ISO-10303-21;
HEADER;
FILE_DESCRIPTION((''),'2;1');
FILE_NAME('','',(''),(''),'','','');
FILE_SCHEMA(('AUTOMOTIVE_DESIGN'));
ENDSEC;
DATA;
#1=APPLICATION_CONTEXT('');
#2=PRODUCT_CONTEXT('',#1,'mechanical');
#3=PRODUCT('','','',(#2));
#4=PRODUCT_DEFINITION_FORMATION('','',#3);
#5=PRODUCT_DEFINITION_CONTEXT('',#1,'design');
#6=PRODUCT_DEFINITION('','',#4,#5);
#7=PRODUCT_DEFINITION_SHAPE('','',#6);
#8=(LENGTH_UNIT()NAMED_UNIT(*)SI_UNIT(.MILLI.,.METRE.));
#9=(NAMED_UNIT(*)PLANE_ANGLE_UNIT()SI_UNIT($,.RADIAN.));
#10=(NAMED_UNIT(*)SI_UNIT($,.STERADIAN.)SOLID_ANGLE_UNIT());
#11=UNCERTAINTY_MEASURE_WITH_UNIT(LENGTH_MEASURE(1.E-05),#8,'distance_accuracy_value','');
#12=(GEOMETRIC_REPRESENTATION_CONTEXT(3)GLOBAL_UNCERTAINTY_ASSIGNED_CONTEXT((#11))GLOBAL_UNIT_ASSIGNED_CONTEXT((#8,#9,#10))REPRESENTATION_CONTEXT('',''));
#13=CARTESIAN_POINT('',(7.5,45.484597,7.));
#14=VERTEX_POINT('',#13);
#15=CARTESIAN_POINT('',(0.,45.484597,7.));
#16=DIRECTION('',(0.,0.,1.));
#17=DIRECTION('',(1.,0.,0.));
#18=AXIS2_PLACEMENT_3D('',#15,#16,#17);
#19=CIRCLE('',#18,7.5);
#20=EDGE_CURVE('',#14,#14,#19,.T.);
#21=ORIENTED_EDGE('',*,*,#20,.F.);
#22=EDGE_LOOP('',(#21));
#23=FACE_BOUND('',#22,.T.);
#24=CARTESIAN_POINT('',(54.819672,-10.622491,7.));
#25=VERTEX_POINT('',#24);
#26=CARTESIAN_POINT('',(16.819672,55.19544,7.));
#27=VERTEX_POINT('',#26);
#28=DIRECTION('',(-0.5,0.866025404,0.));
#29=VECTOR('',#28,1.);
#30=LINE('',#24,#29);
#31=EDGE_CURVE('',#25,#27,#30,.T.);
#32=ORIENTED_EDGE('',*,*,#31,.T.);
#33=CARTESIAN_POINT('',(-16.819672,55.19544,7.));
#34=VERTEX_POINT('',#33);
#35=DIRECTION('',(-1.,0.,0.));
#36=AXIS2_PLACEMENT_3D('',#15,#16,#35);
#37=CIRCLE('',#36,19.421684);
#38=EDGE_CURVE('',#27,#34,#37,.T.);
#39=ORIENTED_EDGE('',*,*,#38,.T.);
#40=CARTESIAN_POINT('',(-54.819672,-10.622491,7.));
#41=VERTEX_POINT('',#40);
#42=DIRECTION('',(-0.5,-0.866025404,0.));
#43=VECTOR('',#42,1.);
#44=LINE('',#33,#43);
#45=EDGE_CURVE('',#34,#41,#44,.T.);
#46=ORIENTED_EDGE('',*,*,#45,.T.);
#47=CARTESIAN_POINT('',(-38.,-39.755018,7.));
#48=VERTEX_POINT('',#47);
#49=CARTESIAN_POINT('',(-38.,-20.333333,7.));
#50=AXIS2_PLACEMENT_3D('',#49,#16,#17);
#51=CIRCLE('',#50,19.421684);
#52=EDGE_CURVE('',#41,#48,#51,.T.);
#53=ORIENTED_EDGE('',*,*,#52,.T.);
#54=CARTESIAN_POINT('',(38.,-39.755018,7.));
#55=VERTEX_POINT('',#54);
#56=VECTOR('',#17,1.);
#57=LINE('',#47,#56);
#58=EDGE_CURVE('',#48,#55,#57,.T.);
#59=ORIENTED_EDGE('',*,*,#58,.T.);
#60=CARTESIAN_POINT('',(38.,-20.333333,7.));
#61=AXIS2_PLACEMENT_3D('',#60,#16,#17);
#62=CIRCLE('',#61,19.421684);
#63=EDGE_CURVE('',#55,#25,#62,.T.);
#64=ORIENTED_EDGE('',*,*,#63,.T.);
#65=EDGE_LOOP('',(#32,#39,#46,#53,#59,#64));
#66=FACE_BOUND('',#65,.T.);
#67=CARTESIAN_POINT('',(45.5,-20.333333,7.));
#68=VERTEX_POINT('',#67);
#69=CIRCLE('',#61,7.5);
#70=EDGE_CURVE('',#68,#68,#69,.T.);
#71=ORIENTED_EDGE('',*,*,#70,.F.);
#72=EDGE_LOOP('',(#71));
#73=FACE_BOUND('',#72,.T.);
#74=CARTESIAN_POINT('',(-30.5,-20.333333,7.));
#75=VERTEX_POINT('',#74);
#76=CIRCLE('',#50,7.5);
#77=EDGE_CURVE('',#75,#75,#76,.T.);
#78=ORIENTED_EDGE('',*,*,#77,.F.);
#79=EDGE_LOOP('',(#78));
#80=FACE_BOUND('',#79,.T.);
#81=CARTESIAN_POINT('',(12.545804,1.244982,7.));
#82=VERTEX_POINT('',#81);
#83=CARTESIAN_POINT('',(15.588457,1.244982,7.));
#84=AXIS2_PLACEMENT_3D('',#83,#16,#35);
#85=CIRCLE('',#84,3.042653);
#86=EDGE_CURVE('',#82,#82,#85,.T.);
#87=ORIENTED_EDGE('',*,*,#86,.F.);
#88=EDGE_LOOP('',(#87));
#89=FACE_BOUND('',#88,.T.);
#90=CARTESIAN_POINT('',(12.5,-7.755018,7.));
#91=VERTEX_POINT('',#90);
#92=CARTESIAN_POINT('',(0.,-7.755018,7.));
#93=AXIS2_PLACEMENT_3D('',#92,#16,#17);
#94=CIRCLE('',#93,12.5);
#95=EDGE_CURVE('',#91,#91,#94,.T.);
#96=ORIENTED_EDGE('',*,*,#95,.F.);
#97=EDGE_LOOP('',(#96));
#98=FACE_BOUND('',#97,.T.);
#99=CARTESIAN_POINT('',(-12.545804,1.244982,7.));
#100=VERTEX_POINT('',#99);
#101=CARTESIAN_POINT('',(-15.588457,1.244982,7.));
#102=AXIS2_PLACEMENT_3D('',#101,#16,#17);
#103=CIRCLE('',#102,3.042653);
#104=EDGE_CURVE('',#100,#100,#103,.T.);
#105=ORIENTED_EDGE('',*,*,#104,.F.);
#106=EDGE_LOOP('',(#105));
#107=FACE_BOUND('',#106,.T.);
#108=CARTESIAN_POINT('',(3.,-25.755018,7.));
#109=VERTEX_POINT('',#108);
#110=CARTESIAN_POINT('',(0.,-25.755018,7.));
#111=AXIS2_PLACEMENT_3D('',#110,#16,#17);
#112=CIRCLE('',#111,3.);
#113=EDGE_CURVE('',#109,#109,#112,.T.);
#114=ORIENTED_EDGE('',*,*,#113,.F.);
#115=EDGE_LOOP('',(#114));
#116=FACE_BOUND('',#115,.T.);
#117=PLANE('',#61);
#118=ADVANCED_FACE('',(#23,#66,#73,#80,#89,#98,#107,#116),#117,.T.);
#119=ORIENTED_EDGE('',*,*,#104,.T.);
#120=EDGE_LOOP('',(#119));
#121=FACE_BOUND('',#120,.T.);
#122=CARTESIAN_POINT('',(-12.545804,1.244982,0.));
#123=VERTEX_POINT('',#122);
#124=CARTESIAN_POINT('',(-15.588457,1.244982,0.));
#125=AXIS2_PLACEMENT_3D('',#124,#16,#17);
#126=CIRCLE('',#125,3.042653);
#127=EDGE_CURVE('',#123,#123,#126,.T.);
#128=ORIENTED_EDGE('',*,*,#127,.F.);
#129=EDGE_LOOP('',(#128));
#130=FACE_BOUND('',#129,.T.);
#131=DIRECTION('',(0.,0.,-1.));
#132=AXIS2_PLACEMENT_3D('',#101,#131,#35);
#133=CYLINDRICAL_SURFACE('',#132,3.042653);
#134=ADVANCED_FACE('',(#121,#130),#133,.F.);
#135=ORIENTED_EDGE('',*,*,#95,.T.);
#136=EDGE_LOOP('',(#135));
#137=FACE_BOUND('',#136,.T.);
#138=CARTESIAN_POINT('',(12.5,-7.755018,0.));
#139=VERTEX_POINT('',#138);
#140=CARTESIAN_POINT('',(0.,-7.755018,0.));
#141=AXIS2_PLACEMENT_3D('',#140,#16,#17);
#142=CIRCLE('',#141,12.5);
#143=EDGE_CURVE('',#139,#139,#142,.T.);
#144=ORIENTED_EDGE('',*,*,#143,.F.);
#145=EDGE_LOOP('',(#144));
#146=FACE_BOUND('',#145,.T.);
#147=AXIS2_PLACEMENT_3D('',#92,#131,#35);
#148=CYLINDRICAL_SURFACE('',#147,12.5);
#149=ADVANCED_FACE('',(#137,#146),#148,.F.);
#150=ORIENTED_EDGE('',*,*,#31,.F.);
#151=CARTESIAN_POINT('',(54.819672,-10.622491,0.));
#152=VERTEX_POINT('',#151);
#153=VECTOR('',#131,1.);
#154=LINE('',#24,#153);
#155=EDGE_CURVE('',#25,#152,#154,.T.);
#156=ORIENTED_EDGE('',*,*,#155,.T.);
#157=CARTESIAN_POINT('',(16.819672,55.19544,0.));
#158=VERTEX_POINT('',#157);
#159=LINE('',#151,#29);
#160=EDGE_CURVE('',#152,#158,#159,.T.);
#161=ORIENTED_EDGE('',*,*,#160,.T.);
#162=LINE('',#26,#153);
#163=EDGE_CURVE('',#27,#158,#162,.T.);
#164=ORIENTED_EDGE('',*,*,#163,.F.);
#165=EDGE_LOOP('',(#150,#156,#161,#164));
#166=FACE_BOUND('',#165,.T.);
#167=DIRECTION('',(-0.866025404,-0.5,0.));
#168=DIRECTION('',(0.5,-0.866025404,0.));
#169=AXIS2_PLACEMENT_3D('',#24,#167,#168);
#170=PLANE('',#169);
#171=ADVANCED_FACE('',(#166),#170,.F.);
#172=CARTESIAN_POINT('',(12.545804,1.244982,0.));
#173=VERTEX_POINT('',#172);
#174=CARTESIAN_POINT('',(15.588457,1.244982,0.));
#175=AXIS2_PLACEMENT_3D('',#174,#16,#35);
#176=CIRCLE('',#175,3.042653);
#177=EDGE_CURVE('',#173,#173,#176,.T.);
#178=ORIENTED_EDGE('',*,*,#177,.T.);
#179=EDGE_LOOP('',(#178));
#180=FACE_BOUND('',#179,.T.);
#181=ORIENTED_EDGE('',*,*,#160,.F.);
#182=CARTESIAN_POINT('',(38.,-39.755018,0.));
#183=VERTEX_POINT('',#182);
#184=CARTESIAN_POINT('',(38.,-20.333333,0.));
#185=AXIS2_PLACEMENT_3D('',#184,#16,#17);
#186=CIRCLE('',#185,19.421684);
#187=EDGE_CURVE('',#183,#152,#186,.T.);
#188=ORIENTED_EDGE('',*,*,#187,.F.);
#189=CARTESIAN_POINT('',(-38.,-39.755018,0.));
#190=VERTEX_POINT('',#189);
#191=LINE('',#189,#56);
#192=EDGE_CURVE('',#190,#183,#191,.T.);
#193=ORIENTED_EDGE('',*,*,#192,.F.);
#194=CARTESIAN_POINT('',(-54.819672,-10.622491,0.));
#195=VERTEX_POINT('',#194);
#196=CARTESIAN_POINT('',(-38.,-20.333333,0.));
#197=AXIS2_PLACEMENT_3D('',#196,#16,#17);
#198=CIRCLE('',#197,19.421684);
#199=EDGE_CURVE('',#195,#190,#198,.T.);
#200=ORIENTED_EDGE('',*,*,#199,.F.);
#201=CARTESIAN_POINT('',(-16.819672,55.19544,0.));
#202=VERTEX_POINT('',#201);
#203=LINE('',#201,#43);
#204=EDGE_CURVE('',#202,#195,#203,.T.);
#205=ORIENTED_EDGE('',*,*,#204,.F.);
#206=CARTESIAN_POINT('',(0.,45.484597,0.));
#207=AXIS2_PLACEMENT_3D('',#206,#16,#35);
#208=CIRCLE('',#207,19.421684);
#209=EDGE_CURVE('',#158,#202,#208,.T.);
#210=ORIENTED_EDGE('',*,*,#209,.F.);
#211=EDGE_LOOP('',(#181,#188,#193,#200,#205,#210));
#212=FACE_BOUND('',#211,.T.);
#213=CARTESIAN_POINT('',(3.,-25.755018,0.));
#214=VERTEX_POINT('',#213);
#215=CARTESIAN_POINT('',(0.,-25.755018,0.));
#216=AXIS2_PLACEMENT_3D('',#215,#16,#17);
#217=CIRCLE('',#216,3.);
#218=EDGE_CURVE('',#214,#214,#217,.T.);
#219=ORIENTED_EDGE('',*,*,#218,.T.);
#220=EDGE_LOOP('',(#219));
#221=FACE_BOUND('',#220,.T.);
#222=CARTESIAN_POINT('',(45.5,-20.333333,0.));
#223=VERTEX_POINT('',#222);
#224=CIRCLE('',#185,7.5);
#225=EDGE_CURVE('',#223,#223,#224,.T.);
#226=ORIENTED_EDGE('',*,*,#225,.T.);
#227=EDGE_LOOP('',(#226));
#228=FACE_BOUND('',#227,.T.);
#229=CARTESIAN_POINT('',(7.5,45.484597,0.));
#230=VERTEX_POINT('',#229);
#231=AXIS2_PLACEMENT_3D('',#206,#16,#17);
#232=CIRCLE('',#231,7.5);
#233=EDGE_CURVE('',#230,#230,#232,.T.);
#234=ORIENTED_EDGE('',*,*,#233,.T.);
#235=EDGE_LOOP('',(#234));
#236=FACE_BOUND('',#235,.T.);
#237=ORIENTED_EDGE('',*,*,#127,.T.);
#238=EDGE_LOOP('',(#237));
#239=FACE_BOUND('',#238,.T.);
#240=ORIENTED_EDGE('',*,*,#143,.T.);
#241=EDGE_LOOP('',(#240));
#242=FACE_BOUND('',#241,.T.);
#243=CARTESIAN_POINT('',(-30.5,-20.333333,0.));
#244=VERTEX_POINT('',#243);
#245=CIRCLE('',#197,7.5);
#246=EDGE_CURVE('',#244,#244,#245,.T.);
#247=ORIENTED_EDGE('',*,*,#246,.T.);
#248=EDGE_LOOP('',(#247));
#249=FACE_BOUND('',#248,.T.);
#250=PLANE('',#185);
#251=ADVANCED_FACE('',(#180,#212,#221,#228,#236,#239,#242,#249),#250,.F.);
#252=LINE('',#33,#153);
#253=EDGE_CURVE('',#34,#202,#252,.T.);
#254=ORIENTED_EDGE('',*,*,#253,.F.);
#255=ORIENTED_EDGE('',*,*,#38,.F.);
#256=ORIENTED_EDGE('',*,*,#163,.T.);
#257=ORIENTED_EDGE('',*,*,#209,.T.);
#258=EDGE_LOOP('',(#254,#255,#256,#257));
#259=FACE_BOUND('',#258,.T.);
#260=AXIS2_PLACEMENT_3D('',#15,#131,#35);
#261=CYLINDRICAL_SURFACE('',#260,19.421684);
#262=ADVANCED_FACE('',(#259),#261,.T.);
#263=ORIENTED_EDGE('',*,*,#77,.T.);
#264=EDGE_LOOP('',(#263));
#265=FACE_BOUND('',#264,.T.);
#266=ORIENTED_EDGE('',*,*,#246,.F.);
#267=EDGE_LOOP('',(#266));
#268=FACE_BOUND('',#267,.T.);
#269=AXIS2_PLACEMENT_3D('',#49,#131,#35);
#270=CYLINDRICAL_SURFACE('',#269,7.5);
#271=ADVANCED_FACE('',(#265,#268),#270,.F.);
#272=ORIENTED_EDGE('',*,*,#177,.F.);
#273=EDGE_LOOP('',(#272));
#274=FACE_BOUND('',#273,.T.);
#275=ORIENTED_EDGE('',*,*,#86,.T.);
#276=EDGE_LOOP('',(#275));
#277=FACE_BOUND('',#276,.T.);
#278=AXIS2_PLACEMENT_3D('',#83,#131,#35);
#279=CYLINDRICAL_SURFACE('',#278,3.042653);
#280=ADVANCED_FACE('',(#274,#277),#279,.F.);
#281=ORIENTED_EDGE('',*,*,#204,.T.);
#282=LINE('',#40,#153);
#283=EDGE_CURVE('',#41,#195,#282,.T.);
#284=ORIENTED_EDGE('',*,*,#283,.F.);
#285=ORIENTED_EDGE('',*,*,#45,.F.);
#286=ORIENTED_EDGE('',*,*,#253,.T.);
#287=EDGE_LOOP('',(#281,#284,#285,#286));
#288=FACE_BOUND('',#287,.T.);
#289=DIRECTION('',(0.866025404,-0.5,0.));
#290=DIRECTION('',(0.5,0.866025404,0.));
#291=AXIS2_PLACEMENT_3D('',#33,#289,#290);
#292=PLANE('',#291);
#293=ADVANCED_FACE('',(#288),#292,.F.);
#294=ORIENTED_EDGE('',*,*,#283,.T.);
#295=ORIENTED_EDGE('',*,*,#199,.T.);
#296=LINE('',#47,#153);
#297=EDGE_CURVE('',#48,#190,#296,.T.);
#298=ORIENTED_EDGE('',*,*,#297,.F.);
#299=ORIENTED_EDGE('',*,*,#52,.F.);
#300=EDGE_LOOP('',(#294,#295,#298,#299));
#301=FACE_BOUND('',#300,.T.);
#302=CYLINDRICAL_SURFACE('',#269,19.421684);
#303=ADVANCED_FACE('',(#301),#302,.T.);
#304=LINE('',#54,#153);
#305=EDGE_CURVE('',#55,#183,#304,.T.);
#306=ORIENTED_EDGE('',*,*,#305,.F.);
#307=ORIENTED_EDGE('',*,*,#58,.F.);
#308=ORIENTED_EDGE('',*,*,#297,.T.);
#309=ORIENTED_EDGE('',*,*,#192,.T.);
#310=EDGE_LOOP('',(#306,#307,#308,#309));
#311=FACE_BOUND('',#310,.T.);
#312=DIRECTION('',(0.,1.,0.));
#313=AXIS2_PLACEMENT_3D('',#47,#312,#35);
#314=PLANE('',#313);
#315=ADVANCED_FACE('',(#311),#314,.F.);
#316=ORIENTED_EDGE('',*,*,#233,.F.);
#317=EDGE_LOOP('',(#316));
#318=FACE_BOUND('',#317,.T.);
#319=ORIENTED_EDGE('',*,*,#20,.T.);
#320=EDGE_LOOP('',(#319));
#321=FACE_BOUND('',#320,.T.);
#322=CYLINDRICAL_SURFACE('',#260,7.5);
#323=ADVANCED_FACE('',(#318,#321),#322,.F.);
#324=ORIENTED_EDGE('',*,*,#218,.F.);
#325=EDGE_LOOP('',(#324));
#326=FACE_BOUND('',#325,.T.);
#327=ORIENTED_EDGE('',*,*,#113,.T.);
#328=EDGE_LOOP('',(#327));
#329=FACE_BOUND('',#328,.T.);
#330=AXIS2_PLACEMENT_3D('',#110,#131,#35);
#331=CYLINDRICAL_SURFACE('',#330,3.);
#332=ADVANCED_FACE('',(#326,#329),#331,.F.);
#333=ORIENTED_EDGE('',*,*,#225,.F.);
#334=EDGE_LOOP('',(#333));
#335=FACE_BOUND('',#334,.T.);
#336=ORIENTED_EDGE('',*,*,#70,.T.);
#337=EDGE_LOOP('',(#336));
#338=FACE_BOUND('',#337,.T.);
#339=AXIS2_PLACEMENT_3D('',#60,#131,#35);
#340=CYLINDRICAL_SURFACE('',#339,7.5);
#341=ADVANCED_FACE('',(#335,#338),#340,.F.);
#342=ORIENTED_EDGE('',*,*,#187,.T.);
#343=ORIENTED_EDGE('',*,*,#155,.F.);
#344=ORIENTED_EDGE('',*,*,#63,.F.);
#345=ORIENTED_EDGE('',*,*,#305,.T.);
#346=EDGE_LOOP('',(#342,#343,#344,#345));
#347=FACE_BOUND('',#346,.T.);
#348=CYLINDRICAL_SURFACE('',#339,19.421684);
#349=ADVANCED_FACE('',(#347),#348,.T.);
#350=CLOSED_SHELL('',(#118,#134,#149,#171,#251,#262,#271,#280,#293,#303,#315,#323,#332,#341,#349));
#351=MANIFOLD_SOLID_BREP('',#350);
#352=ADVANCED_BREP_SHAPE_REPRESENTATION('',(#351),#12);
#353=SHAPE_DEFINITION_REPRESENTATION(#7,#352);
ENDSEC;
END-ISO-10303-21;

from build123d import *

# Parameters (mm, degrees)
SKETCH1_R           = 7.5
SKETCH1_R_2         = 12.5
SKETCH1_R_3         = 3
SKETCH1_R_4         = 3.042653236
BOSS_EXTRUDE1_DEPTH = 7


with BuildPart() as part:
    # Sketch1 → Boss-Extrude1 (new body)
    with BuildSketch(Plane.XY):
        with BuildLine():
            Line((-16.819672131, 55.195439587), (-54.819672131, -10.622491101))
            ThreePointArc((-54.819672131, -10.622491101), (-54.819672131, -30.044175566), (-38, -39.755017799))
            Line((-38, -39.755017799), (38, -39.755017799))
            ThreePointArc((38, -39.755017799), (54.819672131, -30.044175566), (54.819672131, -10.622491101))
            Line((54.819672131, -10.622491101), (16.819672131, 55.195439587))
            ThreePointArc((16.819672131, 55.195439587), (0, 64.906281819), (-16.819672131, 55.195439587))
        make_face()
        with Locations((0, 45.484597354)):
            Circle(SKETCH1_R, mode=Mode.SUBTRACT)
        with Locations((38, -20.333333333)):
            Circle(SKETCH1_R, mode=Mode.SUBTRACT)
        with Locations((-38, -20.333333333)):
            Circle(SKETCH1_R, mode=Mode.SUBTRACT)
        with Locations((0, -7.755017799)):
            Circle(SKETCH1_R_2, mode=Mode.SUBTRACT)
        with Locations((0, -25.755017799)):
            Circle(SKETCH1_R_3, mode=Mode.SUBTRACT)
        with Locations((-15.588457268, 1.244982201)):
            Circle(SKETCH1_R_4, mode=Mode.SUBTRACT)
        with Locations(Location((15.588457268, 1.244982201, 0), (0, 0, 180))):
            Circle(SKETCH1_R_4, mode=Mode.SUBTRACT)
    extrude(amount=BOSS_EXTRUDE1_DEPTH)


solid = part.part
